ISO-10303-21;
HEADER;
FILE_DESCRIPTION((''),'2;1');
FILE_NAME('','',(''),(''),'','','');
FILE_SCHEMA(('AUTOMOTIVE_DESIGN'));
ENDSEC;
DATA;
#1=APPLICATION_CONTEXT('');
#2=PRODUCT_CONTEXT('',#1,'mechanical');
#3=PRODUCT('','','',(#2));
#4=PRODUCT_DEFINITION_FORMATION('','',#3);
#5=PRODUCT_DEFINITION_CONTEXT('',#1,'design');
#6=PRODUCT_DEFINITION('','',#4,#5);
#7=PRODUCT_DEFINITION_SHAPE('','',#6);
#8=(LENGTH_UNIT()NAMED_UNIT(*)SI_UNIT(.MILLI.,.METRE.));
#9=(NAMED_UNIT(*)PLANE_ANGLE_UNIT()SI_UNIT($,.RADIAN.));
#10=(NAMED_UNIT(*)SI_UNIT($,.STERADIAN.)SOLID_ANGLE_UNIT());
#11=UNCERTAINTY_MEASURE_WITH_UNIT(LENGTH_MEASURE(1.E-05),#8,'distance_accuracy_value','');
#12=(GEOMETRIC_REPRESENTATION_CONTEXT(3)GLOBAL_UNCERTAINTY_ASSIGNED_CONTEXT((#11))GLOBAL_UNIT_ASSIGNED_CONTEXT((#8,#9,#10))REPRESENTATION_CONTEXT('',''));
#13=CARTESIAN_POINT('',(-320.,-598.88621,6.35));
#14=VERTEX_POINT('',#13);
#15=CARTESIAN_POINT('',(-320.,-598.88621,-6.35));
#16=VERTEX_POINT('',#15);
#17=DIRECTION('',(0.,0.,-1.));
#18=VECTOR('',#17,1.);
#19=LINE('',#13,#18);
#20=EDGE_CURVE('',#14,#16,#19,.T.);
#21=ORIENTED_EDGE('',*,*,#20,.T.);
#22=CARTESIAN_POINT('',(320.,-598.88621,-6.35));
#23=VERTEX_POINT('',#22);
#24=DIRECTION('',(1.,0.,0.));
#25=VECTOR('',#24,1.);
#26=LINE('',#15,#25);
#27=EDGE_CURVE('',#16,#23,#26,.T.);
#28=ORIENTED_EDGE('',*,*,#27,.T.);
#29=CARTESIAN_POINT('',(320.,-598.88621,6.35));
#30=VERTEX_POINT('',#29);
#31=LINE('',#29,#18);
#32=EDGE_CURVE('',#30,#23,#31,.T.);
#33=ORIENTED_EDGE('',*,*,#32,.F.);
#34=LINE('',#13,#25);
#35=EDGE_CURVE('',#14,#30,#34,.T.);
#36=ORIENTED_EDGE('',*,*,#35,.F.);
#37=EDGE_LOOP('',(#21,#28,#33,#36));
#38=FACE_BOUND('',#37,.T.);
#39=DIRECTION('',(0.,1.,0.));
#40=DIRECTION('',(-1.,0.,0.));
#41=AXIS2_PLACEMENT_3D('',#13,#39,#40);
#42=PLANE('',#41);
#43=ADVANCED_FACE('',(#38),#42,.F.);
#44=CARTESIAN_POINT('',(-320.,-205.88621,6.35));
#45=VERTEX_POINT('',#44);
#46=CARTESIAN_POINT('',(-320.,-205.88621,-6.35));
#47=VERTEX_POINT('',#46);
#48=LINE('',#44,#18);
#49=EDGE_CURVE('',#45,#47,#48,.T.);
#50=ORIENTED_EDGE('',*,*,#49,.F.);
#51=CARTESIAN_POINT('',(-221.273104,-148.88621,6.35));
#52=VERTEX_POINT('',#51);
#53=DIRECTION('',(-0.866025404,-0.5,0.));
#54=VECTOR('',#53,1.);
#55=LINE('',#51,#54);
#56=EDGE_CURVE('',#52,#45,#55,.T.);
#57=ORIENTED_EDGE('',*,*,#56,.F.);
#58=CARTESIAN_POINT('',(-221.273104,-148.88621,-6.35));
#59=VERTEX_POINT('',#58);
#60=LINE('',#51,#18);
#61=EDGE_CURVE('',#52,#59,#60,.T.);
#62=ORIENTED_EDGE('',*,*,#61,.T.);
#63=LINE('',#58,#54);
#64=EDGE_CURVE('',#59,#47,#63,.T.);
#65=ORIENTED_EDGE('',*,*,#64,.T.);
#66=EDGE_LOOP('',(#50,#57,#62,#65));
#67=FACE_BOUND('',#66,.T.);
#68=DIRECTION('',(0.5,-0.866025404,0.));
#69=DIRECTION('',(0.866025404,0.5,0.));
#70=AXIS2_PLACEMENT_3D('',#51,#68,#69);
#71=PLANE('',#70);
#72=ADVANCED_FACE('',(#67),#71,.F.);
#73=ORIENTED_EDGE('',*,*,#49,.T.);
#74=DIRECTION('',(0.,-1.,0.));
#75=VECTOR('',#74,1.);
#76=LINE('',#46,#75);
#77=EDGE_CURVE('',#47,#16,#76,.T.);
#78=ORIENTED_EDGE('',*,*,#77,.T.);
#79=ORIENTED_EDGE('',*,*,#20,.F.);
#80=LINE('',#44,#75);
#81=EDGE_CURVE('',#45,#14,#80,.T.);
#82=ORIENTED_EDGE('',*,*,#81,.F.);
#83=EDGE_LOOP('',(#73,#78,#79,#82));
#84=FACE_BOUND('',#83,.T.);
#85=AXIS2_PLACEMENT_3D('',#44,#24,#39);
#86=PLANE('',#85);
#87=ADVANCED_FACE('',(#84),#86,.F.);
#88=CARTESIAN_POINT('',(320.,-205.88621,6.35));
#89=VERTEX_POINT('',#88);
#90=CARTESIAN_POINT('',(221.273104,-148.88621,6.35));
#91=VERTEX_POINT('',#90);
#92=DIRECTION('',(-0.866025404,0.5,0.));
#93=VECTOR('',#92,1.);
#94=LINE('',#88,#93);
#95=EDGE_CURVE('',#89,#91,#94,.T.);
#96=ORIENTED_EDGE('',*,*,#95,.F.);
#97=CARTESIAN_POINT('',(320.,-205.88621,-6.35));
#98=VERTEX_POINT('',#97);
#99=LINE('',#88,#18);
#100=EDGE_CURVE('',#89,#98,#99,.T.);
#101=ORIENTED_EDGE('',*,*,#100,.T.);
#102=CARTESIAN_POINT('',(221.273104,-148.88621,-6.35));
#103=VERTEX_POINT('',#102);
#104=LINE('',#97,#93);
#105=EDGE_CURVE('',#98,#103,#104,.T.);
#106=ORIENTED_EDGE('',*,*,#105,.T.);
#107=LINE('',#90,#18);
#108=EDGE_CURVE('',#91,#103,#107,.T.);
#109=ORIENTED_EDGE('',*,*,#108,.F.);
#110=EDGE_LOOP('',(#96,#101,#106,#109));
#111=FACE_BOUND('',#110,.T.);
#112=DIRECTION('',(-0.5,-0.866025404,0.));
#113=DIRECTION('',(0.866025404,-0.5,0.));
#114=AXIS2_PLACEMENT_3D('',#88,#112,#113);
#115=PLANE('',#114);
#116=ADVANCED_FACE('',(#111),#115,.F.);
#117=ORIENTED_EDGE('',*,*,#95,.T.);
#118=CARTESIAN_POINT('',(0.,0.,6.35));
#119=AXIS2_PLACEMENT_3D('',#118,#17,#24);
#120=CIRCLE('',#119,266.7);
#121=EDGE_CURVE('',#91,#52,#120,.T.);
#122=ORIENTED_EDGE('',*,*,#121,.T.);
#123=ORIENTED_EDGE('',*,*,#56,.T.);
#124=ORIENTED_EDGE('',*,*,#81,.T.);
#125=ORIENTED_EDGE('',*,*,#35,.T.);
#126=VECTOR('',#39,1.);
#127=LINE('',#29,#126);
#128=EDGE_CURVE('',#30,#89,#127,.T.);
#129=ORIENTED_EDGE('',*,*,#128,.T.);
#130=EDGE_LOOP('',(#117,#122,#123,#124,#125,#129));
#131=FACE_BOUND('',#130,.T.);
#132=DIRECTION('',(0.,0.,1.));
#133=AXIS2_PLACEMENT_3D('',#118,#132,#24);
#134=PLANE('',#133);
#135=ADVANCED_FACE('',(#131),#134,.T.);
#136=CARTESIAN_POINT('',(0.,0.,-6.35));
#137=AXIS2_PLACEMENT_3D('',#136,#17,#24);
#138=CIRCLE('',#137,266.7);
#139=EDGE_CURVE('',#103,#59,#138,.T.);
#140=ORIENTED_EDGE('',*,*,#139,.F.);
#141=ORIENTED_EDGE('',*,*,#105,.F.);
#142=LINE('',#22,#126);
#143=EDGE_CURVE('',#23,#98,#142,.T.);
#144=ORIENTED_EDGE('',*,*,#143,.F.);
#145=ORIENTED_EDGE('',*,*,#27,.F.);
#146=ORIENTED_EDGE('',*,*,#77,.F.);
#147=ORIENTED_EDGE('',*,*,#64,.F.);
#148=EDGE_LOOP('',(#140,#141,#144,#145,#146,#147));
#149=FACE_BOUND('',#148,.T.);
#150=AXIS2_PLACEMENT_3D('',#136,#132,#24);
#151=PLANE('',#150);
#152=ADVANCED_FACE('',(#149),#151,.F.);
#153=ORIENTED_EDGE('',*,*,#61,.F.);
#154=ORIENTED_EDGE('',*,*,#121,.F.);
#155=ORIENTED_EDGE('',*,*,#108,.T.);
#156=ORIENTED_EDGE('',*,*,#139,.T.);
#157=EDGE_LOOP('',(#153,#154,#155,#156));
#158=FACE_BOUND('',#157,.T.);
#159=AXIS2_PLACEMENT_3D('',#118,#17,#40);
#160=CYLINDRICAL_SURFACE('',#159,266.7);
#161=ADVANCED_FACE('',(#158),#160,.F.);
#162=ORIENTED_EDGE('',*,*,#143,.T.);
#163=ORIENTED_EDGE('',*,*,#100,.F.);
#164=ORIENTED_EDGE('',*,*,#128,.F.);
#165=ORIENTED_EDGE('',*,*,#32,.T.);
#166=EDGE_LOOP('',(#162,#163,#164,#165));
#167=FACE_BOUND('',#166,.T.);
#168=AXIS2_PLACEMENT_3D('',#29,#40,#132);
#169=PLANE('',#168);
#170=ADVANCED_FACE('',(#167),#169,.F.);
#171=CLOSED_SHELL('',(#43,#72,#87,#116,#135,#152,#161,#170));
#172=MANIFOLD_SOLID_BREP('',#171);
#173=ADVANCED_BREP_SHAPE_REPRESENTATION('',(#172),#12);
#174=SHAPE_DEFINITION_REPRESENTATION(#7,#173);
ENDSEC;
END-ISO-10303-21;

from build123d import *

# Parameters (mm, degrees)
BOSS_EXTRUDE1_DEPTH = 6.35


with BuildPart() as part:
    # Sketch1 → Boss-Extrude1 (new, symmetric)
    with BuildSketch(Plane.XY):
        with BuildLine():
            Line((-221.273103969, -148.886209771), (-320, -205.886209771))
            Line((-320, -205.886209771), (-320, -598.886209771))
            Line((-320, -598.886209771), (320, -598.886209771))
            Line((320, -598.886209771), (320, -205.886209771))
            Line((320, -205.886209771), (221.273103969, -148.886209771))
            ThreePointArc((221.273103969, -148.886209771), (0, -266.7), (-221.273103969, -148.886209771))
        make_face()
    extrude(amount=BOSS_EXTRUDE1_DEPTH, both=True)


solid = part.part
